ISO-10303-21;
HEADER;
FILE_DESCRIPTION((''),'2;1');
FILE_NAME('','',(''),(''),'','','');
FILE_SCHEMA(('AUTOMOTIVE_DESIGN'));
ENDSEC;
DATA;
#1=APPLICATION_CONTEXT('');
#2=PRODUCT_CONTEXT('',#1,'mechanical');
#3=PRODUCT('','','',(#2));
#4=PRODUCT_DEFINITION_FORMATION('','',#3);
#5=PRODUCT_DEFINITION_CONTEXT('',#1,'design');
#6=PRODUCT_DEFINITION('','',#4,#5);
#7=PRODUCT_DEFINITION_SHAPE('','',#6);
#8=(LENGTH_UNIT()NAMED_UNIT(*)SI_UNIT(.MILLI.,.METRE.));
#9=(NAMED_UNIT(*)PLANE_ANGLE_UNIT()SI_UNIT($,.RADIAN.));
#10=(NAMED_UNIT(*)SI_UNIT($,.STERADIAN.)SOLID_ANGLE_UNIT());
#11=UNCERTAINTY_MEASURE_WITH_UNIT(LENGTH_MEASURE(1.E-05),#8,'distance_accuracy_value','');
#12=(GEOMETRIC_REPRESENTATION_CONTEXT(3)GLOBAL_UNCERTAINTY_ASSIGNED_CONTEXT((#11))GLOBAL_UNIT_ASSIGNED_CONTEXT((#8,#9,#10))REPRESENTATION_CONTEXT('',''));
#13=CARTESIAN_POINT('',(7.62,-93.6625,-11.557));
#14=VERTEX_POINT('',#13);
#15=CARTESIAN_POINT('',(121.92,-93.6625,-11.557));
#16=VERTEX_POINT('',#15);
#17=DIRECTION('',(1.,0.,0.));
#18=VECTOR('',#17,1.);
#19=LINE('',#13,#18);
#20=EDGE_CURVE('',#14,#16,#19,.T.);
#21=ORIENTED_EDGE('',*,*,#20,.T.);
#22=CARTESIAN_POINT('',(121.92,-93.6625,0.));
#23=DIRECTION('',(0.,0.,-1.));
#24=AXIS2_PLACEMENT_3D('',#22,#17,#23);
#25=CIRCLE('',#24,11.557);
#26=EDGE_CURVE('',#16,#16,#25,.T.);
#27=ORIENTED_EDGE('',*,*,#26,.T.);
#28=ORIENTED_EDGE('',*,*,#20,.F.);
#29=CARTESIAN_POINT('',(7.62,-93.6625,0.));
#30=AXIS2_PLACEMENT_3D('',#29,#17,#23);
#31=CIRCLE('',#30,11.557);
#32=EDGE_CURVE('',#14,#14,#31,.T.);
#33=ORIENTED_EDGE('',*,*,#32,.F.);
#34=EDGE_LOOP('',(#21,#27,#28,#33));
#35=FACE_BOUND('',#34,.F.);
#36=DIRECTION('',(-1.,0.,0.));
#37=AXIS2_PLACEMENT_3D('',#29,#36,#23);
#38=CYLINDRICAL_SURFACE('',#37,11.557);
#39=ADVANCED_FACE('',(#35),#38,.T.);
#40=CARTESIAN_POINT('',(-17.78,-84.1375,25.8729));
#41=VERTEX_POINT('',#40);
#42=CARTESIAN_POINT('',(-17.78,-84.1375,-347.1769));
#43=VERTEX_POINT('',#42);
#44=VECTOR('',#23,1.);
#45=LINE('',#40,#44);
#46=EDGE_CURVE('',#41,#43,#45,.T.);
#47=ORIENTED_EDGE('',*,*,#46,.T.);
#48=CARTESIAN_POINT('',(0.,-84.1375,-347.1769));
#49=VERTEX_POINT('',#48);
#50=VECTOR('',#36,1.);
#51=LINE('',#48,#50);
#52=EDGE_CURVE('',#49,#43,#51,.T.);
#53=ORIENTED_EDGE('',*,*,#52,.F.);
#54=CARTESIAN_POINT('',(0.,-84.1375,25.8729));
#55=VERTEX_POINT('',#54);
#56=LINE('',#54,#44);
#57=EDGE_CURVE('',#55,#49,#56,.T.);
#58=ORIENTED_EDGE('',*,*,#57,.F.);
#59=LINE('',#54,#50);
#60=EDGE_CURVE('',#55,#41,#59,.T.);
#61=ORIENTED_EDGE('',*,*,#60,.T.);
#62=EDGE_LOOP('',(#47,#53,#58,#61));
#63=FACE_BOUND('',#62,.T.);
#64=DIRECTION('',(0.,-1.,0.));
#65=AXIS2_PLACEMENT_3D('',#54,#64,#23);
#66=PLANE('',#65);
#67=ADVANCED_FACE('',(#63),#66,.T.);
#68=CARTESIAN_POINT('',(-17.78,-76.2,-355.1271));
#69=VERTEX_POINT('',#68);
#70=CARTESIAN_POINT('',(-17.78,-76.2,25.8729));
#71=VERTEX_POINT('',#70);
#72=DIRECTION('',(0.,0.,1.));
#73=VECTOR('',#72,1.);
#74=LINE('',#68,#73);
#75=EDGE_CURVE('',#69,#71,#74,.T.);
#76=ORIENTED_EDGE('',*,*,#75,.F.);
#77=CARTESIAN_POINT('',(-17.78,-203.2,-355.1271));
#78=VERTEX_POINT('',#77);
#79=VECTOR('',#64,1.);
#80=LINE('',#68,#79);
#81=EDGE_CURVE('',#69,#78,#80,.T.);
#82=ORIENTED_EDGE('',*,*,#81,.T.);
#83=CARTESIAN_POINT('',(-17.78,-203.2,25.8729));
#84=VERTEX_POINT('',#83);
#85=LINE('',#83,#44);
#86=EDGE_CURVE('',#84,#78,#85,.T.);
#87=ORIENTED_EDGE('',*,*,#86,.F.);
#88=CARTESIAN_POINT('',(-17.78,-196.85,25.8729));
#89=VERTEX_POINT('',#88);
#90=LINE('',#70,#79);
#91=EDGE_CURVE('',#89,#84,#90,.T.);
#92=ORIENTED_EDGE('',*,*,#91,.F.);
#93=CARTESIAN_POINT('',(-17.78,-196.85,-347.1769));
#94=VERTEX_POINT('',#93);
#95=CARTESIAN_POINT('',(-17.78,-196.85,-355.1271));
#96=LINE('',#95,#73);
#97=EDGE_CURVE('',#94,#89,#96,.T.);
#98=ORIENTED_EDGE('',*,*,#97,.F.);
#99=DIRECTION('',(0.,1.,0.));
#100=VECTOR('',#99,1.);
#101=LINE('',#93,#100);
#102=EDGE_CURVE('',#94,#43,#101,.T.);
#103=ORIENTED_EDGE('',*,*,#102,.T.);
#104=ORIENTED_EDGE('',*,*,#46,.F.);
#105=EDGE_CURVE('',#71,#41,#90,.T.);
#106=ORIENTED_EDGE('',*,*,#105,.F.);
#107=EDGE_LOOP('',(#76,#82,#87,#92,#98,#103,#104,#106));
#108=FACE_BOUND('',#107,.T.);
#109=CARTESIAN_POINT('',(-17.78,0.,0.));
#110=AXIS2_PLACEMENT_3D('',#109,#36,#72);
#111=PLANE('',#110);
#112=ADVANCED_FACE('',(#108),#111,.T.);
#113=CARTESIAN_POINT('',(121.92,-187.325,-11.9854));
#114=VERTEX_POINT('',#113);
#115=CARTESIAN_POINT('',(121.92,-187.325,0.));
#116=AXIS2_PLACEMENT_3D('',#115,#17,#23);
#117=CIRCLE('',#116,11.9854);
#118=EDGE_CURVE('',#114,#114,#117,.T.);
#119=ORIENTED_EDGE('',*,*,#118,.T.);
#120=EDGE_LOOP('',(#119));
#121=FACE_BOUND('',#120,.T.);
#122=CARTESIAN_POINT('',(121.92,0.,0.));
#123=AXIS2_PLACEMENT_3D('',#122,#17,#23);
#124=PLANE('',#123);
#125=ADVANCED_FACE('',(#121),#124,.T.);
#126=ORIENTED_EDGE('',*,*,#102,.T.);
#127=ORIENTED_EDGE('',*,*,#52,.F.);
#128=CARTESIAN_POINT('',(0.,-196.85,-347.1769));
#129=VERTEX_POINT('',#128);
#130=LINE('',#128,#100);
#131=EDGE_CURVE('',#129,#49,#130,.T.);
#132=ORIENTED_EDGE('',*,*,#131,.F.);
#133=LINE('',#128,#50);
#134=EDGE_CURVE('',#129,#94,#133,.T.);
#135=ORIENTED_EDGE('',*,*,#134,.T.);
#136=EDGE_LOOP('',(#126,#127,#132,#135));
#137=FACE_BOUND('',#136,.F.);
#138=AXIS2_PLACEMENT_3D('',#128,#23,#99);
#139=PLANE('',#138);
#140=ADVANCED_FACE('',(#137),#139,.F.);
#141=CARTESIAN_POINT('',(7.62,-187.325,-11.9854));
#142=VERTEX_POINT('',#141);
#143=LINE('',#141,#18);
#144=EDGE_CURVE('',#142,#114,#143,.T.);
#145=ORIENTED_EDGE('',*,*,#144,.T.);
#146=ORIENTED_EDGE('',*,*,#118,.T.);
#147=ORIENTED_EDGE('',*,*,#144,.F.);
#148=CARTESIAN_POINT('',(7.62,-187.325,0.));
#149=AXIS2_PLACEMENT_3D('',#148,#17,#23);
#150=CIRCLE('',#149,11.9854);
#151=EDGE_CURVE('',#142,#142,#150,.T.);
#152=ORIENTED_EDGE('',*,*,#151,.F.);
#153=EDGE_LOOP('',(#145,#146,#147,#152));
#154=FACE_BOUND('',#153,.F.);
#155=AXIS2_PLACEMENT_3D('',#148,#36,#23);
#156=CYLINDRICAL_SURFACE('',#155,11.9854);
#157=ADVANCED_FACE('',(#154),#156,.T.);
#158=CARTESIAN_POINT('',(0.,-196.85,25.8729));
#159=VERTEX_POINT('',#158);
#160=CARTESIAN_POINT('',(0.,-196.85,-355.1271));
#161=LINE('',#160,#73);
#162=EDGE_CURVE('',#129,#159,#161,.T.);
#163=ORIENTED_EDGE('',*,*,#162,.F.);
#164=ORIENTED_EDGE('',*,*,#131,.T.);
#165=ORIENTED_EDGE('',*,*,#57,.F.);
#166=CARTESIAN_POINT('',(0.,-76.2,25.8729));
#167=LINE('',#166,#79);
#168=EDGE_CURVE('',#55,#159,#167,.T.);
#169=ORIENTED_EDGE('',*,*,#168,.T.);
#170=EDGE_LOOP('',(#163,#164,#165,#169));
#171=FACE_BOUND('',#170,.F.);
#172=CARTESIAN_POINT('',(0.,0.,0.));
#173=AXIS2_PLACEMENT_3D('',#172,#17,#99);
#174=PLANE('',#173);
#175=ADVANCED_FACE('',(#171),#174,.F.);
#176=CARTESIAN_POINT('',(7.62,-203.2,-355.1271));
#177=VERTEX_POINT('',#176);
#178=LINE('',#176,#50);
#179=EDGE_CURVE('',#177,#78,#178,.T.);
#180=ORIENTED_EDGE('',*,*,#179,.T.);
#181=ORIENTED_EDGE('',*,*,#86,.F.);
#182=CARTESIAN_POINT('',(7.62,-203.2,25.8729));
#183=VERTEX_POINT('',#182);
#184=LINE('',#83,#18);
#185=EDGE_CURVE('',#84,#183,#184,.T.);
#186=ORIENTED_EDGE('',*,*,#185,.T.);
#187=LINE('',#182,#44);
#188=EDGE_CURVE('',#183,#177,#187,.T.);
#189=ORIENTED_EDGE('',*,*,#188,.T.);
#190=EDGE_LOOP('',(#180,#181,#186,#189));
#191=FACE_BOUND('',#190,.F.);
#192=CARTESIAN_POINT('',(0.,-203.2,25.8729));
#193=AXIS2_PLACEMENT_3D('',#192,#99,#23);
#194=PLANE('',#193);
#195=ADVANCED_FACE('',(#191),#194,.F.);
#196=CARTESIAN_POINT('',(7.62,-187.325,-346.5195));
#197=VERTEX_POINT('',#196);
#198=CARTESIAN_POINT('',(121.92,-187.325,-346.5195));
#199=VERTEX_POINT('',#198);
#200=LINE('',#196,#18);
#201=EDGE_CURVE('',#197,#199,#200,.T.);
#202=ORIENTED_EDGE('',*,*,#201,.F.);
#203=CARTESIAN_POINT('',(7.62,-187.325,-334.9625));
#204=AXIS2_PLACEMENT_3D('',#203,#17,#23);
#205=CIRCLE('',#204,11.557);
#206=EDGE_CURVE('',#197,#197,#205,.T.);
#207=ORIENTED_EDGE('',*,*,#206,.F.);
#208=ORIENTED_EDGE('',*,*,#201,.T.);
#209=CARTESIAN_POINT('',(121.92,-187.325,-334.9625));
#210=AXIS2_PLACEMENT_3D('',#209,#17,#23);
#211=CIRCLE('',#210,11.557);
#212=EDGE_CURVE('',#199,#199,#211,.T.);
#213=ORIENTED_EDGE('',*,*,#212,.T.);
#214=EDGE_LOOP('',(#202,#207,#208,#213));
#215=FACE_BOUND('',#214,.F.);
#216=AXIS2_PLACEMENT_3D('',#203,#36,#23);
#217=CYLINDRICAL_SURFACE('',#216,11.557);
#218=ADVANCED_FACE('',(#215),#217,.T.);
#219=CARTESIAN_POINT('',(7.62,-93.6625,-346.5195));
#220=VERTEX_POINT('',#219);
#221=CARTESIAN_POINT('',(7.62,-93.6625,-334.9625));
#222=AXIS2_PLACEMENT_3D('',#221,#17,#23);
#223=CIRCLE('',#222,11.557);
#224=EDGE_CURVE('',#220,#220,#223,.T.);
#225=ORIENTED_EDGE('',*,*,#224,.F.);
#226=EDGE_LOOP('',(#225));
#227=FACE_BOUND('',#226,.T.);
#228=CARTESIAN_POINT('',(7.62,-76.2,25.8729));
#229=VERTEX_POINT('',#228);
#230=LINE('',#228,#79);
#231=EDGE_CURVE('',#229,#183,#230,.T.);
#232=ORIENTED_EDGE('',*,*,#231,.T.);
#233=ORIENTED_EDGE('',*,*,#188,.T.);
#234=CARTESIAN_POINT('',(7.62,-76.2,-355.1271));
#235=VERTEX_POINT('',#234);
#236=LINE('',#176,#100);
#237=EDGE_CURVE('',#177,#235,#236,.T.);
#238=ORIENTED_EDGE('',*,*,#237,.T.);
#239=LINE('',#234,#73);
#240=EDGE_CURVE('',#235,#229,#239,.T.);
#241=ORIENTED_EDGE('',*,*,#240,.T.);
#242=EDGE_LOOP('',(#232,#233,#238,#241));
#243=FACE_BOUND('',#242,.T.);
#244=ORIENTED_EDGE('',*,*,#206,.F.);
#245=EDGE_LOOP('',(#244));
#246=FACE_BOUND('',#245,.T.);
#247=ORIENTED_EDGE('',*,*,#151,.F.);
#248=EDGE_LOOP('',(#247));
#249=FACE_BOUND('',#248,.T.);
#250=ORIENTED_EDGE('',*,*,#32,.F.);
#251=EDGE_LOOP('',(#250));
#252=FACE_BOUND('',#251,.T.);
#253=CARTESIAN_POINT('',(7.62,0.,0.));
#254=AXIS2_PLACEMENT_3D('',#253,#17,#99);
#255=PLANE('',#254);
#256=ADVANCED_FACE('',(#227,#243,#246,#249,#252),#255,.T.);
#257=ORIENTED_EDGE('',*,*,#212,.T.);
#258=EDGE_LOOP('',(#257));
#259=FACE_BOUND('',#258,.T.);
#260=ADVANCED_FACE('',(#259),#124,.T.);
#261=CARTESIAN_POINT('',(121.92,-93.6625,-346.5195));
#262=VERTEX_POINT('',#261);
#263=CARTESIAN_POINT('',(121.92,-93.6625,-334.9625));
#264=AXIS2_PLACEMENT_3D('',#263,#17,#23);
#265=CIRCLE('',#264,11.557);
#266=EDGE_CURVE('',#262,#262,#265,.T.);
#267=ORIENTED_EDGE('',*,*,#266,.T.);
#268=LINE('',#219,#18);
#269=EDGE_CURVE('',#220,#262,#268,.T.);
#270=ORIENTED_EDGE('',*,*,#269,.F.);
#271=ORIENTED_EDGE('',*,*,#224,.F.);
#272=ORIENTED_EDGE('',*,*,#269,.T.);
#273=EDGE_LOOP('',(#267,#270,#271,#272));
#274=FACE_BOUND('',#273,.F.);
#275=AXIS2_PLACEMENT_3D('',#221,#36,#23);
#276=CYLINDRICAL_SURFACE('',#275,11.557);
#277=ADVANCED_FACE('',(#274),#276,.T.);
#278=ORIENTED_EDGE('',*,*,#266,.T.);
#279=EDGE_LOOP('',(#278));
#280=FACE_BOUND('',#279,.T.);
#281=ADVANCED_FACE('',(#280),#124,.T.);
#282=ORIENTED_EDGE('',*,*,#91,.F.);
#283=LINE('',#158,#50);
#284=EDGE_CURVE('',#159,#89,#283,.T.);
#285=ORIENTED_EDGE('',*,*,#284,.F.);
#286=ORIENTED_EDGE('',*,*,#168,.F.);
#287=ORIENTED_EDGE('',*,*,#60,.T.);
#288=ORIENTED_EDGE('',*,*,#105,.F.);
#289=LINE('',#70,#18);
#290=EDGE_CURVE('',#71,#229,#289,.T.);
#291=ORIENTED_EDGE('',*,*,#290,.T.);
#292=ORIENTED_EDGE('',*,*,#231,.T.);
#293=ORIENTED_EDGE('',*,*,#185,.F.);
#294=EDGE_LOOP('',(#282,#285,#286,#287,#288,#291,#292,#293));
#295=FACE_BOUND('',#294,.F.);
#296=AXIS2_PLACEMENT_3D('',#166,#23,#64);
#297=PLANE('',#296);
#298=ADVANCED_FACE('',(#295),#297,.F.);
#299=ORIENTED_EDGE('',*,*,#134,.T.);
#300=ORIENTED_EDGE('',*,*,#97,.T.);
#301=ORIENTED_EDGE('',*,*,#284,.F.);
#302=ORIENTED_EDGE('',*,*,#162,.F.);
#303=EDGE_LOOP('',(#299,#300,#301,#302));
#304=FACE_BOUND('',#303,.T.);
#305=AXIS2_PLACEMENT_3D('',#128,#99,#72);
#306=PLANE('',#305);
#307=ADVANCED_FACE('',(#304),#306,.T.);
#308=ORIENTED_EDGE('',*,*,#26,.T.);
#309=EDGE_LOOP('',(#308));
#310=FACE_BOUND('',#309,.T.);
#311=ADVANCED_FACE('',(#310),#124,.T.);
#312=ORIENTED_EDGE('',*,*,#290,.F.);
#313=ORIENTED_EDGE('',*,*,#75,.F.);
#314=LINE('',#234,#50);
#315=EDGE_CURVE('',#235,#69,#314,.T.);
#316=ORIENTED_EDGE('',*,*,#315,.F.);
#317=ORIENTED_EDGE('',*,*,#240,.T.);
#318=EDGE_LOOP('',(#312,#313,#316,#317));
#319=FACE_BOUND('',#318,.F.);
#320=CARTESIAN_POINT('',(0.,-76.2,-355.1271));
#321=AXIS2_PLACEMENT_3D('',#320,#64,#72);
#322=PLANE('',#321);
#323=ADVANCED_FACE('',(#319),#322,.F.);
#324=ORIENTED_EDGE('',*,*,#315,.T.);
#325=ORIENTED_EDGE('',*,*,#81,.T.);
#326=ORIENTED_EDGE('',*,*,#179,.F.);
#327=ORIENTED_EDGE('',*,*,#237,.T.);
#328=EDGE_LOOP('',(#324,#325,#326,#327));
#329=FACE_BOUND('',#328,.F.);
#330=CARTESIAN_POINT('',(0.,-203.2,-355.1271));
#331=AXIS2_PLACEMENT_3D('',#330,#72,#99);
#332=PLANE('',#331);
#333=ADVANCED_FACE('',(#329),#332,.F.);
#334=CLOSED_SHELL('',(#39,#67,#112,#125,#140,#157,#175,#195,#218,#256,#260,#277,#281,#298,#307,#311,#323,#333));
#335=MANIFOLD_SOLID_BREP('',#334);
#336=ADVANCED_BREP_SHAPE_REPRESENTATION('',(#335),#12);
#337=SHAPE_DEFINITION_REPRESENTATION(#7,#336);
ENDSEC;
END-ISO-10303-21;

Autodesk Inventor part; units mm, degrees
ref_plane "YZ Plane" through (0, 0, 0) normal (1, 0, 0) x (0, 1, 0)
ref_plane "XZ Plane" through (0, 0, 0) normal (0, 1, 0) x (-1, 0, 0)
ref_plane "XY Plane" through (0, 0, 0) normal (0, 0, 1) x (1, 0, 0)
sketch "Sketch1" plane through (0, 0, 0) normal (1, 0, 0) x (0, 1, 0)
  line L0 (-76.2, 25.8729) -> (-203.2, 25.8729)
  line L1 (-203.2, 25.8729) -> (-203.2, -355.1271)
  line L2 (-203.2, -355.1271) -> (-76.2, -355.1271)
  line L3 (-76.2, -355.1271) -> (-76.2, 25.8729)
  point P0 (0, 0)
  dimension "d0" = 127
  dimension "d1" = 381
extrude "Extrusion1" add sketch "Sketch1" along normal blind 7.62
sketch "Sketch2" plane through (7.62, 0, 0) normal (1, 0, 0) x (0, 0, -1)
  circle A0 centre (0, -187.325) radius 11.9854
  circle A1 centre (334.9625, -187.325) radius 11.557
  point P0 (0, 0)
  dimension "d5" = 23.114
extrude "Extrusion2" add sketch "Sketch2" along normal blind 114.3
sketch "Sketch3" plane through (7.62, 0, 0) normal (1, 0, 0) x (0, 0, -1)
  circle A0 centre (0, -93.6625) radius 11.557
  circle A1 centre (334.9625, -93.6625) radius 11.557
  point P0 (0, 0)
  dimension "d8" = 23.114
  dimension "d9" = 23.114
extrude "Extrusion3" add sketch "Sketch3" along normal blind 114.3
sketch "Sketch4" plane through (0, 0, 0) normal (-1, 0, 0) x (0, 0, 1)
  line L0 (25.8729, -76.2) -> (25.8729, -203.2) projected
  line L1 (-355.1271, -203.2) -> (-355.1271, -76.2) projected
  line L2 (25.8729, -203.2) -> (-355.1271, -203.2)
  line L3 (-355.1271, -203.2) -> (-355.1271, -196.85)
  line L4 (-355.1271, -196.85) -> (25.8729, -196.85)
  line L5 (25.8729, -196.85) -> (25.8729, -203.2)
  line L6 (-355.1271, -76.2) -> (25.8729, -76.2) projected
  line L7 (-355.1271, -196.85) -> (-347.1769, -196.85)
  line L8 (-347.1769, -196.85) -> (-347.1769, -76.2)
  line L9 (-347.1769, -76.2) -> (-355.1271, -76.2)
  line L10 (-355.1271, -76.2) -> (-355.1271, -196.85)
  line L11 (25.8729, -84.1375) -> (-355.1271, -84.1375)
  line L12 (-355.1271, -84.1375) -> (-355.1271, -76.2)
  line L13 (-355.1271, -76.2) -> (25.8729, -76.2)
  line L14 (25.8729, -76.2) -> (25.8729, -84.1375)
  point P0 (0, 0)
  point P1 (25.8729, -196.85)
  point P2 (-347.1769, -84.1375)
  dimension "d12" = 7.9502
extrude "Extrusion4" add sketch "Sketch4" along normal blind 17.78 contours L0 L11 L8 L6 | L8 L11 L1 L6 | L0 L2 L1 L4 | L8 L4 L1 L11
properties part number "TABLE FOR VERTI" material "Wood (Maple)"
